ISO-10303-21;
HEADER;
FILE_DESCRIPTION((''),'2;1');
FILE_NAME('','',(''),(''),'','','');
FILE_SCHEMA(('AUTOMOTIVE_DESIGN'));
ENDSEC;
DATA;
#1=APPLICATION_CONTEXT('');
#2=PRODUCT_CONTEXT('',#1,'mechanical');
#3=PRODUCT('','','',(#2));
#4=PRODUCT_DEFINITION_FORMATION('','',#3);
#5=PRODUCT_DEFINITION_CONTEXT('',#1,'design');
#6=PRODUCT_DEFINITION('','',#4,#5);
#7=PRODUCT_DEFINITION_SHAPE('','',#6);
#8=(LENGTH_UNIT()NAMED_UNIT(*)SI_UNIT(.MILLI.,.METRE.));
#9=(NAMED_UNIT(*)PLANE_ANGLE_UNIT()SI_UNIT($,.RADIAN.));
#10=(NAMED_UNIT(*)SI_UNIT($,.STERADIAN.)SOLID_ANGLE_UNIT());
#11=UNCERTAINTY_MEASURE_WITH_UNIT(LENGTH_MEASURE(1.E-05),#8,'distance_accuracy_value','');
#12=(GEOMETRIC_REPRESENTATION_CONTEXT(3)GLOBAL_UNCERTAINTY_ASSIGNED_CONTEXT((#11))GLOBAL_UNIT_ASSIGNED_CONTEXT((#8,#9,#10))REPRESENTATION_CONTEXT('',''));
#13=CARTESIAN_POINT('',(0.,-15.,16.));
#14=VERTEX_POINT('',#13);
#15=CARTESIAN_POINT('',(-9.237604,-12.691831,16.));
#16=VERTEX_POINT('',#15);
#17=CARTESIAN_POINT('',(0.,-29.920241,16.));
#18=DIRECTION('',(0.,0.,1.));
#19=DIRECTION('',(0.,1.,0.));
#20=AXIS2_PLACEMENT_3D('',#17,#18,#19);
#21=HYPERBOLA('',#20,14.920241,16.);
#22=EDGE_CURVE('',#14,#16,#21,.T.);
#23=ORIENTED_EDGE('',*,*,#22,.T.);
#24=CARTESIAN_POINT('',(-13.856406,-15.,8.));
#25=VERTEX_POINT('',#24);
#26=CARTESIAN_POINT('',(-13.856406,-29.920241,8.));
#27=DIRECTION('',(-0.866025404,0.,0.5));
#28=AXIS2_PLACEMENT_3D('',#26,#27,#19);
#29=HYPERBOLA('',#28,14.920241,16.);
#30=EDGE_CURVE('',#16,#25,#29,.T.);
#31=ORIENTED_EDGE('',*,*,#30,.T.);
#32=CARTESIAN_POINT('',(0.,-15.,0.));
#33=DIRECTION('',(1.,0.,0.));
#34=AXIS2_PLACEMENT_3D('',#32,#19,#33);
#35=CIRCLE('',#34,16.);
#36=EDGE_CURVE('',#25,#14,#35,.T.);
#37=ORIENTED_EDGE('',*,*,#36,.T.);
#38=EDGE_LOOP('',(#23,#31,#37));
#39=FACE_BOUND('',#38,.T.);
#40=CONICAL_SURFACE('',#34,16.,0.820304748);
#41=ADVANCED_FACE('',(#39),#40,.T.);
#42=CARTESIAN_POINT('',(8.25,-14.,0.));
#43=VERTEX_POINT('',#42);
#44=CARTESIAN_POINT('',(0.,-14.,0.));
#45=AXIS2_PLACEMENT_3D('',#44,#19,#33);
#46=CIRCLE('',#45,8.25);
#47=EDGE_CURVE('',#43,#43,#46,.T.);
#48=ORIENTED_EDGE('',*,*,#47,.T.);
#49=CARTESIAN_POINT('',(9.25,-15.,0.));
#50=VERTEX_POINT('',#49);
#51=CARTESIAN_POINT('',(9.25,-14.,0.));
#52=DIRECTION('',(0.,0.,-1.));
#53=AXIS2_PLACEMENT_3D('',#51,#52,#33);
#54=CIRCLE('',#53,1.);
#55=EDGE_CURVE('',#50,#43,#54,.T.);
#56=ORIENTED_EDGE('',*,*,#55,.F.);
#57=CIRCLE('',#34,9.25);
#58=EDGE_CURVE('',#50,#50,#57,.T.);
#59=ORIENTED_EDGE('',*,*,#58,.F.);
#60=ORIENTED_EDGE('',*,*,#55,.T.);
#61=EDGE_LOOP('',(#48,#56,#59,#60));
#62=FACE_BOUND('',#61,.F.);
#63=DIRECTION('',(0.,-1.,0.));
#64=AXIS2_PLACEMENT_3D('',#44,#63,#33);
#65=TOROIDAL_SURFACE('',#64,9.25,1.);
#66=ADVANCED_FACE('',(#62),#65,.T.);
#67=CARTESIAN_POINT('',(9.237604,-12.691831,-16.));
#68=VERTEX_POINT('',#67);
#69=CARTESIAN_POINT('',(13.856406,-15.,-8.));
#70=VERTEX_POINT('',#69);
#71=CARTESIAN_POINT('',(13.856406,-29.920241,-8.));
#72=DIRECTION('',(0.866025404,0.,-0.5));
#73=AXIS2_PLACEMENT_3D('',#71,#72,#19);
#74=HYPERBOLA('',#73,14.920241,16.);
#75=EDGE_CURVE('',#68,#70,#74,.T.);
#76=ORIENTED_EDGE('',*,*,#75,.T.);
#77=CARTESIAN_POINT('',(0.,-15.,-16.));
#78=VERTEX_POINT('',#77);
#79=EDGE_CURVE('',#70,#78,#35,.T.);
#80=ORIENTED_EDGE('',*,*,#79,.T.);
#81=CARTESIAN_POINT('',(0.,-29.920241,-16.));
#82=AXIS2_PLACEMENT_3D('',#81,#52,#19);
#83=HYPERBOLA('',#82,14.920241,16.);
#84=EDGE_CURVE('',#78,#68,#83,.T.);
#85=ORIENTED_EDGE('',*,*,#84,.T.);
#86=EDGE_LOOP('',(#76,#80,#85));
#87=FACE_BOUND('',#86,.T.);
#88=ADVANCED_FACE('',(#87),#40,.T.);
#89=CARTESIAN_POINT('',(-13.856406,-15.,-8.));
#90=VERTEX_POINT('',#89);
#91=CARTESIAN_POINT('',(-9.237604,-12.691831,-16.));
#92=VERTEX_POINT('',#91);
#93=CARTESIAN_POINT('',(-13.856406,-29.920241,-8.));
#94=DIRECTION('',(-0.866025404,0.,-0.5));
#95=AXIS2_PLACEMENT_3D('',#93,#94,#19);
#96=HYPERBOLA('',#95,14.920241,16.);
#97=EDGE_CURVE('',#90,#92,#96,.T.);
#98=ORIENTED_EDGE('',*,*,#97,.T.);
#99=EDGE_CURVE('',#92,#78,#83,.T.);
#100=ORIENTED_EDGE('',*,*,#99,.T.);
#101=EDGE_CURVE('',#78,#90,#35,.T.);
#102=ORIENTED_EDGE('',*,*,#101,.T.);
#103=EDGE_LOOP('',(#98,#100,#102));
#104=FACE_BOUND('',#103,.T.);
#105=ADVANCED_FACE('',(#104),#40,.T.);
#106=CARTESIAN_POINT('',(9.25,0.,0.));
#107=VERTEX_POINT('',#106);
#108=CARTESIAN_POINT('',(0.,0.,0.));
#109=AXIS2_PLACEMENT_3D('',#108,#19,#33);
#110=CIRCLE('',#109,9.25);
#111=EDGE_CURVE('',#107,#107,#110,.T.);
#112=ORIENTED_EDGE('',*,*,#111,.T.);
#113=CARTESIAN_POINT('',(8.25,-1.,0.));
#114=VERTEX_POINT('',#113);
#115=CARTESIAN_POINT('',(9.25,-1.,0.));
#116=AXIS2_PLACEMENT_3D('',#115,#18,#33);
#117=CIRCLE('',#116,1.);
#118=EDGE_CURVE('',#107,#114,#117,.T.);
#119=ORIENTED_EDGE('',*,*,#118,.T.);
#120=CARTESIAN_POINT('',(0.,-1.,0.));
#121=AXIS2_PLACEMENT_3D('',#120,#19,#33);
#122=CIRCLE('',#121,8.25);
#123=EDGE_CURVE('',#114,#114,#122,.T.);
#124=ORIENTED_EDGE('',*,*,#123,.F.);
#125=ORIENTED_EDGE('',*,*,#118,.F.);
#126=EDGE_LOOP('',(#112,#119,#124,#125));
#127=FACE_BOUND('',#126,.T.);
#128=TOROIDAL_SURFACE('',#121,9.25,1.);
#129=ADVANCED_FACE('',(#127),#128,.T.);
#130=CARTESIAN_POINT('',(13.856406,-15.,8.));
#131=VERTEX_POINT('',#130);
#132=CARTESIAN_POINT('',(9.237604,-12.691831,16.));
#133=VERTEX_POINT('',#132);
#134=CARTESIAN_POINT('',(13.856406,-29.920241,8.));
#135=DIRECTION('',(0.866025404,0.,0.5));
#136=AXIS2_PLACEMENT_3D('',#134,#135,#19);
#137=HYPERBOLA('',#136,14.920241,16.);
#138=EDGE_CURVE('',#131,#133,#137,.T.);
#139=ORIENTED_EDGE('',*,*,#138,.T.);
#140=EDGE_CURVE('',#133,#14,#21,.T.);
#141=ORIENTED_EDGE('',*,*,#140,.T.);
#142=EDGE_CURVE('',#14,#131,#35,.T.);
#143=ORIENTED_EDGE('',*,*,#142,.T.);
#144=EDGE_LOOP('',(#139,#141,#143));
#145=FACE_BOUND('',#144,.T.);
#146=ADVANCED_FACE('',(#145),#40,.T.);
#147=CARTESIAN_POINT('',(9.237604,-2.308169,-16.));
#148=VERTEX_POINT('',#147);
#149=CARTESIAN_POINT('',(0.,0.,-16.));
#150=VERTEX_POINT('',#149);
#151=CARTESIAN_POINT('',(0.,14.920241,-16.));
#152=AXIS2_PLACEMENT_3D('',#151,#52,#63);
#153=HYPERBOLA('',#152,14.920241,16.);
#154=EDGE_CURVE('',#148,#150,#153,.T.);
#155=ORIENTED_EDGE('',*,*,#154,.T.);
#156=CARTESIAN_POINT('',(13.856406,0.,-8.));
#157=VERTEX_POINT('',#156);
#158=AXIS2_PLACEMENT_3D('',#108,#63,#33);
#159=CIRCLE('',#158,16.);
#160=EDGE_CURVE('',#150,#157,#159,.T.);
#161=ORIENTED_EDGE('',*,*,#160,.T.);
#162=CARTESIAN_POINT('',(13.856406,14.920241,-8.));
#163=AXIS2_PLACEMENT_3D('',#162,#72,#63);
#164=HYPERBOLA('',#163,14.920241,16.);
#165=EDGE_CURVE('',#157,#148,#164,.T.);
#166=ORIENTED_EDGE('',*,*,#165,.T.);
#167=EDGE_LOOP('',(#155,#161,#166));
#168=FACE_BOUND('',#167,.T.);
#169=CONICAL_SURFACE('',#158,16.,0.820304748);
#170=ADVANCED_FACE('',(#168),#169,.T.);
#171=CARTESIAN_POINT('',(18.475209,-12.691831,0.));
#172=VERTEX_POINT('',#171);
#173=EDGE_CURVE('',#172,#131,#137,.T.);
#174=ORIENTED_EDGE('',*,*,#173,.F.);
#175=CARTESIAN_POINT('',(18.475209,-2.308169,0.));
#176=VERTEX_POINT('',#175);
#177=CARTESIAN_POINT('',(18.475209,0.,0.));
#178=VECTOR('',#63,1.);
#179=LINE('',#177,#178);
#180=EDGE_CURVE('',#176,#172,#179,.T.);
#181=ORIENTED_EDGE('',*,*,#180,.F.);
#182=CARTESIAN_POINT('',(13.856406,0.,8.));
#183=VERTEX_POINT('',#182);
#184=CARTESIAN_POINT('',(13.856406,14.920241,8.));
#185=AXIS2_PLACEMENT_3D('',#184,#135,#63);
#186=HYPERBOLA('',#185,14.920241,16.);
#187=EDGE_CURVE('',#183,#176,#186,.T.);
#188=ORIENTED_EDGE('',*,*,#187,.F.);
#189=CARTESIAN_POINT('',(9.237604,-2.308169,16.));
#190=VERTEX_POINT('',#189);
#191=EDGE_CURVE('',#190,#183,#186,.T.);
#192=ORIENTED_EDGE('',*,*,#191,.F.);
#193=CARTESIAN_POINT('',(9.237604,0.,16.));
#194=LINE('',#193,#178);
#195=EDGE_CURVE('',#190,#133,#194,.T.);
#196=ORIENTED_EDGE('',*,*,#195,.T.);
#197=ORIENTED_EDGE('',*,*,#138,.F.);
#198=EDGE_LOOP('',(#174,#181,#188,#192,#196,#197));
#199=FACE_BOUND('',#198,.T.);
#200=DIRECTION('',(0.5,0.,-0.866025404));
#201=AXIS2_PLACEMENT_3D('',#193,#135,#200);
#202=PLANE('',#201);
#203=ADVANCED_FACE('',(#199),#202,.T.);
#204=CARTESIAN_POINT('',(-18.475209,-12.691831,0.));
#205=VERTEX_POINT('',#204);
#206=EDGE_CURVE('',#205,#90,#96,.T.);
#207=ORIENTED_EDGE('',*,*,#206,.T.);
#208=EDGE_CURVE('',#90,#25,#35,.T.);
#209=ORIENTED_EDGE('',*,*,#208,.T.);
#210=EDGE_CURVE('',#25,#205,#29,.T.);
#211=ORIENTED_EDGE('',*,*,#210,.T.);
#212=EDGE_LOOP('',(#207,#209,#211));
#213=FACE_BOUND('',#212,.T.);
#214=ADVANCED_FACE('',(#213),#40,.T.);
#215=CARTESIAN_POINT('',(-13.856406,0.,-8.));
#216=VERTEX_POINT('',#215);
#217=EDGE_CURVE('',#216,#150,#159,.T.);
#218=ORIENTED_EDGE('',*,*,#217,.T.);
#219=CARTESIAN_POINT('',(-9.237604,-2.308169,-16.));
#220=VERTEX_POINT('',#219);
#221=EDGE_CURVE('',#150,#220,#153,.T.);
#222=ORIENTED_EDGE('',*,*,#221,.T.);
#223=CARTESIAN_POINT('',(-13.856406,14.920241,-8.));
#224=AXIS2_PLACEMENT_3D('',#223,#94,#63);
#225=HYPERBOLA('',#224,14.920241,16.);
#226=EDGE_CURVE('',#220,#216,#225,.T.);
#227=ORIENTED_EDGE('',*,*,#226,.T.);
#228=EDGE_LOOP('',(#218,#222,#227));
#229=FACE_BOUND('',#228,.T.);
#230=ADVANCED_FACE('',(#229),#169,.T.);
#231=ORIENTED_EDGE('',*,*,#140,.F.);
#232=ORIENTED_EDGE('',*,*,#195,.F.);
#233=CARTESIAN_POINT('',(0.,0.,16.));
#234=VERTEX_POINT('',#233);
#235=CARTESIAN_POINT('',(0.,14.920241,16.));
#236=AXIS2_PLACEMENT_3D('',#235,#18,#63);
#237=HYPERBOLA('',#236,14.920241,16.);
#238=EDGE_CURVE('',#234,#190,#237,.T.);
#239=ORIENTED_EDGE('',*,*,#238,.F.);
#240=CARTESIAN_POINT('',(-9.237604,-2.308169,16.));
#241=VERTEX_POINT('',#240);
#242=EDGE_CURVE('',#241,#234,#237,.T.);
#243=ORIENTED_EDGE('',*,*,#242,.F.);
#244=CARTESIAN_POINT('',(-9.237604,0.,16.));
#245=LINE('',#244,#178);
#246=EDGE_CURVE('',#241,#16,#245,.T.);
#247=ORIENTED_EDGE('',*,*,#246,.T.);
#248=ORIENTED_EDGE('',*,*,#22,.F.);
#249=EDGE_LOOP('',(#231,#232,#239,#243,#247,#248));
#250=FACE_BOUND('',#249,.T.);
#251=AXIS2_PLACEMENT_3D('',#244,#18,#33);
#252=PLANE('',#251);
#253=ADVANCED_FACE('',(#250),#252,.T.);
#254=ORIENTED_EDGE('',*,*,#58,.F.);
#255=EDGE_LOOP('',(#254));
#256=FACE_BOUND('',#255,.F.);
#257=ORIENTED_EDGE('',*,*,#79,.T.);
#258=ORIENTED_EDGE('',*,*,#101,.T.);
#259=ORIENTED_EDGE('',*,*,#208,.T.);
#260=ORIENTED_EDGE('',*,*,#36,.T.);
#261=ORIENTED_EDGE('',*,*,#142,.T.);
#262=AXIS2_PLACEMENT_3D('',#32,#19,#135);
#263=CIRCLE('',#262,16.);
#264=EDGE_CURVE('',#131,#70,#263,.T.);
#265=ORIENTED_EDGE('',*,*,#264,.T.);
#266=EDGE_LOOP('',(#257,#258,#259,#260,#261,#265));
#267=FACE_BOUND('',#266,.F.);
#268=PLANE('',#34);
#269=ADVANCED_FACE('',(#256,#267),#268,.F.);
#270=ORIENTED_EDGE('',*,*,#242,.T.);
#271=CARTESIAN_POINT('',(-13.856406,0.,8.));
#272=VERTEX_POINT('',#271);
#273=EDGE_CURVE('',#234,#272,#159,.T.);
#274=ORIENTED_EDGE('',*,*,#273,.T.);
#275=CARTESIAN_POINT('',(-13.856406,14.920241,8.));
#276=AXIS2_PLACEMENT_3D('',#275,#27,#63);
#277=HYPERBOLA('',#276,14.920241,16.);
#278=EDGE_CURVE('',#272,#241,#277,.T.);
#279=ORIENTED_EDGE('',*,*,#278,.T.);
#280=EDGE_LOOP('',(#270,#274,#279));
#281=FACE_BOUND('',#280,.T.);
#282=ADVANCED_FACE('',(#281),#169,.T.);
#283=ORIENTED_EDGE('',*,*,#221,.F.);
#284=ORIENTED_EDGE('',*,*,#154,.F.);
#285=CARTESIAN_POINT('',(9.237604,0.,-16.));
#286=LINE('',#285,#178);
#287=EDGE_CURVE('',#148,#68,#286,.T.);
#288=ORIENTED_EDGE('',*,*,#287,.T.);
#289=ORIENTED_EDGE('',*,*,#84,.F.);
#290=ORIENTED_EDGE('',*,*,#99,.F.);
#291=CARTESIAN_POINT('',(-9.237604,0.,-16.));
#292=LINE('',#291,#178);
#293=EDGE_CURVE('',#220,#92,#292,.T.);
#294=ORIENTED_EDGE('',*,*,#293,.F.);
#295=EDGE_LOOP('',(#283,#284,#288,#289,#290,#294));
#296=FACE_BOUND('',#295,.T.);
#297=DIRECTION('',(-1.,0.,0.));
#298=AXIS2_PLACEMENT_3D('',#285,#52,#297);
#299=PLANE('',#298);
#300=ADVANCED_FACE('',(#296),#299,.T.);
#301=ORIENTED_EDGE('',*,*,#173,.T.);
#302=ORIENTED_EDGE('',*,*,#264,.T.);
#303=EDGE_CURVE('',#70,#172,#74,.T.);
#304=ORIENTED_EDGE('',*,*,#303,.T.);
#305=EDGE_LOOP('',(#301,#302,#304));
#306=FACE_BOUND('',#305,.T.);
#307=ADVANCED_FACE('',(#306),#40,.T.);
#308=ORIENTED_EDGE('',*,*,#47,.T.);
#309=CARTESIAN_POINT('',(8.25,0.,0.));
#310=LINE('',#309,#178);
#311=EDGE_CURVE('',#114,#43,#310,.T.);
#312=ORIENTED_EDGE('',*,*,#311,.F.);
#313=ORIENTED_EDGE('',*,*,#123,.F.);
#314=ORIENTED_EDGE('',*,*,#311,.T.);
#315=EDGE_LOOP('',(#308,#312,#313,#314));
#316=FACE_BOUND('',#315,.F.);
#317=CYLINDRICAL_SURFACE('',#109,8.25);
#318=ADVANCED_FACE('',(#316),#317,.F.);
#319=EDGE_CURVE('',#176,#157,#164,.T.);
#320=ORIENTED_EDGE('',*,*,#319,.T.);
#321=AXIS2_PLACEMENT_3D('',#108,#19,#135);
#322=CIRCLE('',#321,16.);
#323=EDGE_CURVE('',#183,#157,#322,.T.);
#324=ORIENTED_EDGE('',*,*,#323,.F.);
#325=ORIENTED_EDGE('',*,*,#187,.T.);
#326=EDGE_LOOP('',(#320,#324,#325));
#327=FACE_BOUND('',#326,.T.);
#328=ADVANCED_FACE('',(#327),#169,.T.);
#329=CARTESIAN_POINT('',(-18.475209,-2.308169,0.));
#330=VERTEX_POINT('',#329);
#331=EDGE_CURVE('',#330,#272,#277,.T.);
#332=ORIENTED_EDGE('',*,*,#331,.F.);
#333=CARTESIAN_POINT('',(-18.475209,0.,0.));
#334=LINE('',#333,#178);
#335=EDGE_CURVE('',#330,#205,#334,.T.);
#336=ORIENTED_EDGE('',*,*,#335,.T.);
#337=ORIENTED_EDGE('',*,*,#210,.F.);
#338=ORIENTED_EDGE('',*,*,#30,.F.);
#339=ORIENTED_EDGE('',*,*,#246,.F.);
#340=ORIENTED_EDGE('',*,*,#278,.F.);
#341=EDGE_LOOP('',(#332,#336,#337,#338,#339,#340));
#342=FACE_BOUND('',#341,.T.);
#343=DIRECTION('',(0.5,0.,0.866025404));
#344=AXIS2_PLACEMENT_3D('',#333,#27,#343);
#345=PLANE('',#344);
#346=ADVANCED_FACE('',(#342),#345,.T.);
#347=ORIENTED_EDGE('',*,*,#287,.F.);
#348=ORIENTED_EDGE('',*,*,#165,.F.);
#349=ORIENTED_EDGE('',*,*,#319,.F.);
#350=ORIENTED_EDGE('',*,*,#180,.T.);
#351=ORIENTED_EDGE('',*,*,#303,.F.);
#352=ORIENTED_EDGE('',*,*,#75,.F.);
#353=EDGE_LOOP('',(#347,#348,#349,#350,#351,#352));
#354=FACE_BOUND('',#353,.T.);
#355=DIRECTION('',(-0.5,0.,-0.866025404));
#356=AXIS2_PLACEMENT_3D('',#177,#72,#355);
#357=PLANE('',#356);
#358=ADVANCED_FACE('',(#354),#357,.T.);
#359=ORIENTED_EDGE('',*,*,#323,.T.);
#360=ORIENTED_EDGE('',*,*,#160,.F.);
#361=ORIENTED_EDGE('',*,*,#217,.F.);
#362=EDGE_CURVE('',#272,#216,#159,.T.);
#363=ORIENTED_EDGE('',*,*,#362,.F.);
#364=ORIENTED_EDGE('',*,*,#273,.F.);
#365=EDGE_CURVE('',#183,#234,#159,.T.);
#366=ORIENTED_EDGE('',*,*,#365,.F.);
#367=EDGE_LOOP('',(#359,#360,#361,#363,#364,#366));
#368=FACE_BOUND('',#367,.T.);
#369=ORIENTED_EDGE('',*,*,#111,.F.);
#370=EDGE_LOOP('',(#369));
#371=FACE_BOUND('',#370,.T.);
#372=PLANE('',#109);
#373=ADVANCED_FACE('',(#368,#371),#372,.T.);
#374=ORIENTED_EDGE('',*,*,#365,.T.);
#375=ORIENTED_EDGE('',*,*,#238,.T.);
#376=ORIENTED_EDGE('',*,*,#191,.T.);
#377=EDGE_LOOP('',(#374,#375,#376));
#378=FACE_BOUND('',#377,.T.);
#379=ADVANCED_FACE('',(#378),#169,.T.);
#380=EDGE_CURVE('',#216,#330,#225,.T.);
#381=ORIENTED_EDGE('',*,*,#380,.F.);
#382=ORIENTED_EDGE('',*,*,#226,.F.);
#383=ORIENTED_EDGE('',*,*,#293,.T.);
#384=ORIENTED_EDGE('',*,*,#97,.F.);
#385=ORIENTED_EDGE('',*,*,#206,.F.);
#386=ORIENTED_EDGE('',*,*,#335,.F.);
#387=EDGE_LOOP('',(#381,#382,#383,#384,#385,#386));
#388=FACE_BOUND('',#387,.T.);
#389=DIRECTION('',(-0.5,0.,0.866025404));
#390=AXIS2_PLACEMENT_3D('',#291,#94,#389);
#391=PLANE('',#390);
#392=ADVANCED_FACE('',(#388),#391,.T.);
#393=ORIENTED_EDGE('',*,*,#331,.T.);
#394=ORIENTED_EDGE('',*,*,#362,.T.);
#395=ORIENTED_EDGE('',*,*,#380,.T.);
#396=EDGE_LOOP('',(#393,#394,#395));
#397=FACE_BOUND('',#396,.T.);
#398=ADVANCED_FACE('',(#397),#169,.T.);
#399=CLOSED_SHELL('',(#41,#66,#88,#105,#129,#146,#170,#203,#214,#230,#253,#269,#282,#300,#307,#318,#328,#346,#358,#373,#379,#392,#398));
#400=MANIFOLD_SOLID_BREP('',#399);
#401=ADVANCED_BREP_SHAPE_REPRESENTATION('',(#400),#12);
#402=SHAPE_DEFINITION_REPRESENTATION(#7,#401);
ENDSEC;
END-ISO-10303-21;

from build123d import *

# Parameters (mm, degrees)
SALIENTE_EXTRUIR1_DEPTH = 15
CROQUIS2_OUTSIDE_W      = 81.348
CROQUIS2_OUTSIDE_H      = 76.398
CROQUIS2_OUTSIDE_R      = 16
CORTAR_EXTRUIR1_DEPTH   = 15
CORTAR_EXTRUIR1_TAPER   = 47
CROQUIS3_OUTSIDE_W      = 81.348
CROQUIS3_OUTSIDE_H      = 76.398
CROQUIS3_OUTSIDE_R      = 16
CORTAR_EXTRUIR2_DEPTH   = 15
CORTAR_EXTRUIR2_TAPER   = 47
CROQUIS4_R              = 8.25
CORTAR_EXTRUIR3_DEPTH   = 15
REDONDEO1_R             = 1


with BuildPart() as part:
    # Croquis1 → Saliente-Extruir1 (new body)
    with BuildSketch(Plane(origin=(0, 0, 0), x_dir=(1, 0, 0), z_dir=(0, 1, 0))):
        Polygon((-9.237604307, -16), (9.237604307, -16), (18.475208614, 0), (9.237604307, 16), (-9.237604307, 16), (-18.475208614, 0), align=None)
    extrude(amount=-SALIENTE_EXTRUIR1_DEPTH)

    # Croquis2 outside → Cortar-Extruir1 (cut)
    with BuildSketch(Plane(origin=(0, 0, 0), x_dir=(1, 0, 0), z_dir=(0, 1, 0))):
        Rectangle(CROQUIS2_OUTSIDE_W, CROQUIS2_OUTSIDE_H)
        Circle(CROQUIS2_OUTSIDE_R, mode=Mode.SUBTRACT)
    extrude(amount=-CORTAR_EXTRUIR1_DEPTH, taper=CORTAR_EXTRUIR1_TAPER, mode=Mode.SUBTRACT)

    # Croquis3 outside → Cortar-Extruir2 (cut)
    with BuildSketch(Plane.XZ.offset(15)):
        Rectangle(CROQUIS3_OUTSIDE_W, CROQUIS3_OUTSIDE_H)
        Circle(CROQUIS3_OUTSIDE_R, mode=Mode.SUBTRACT)
    extrude(amount=-CORTAR_EXTRUIR2_DEPTH, taper=CORTAR_EXTRUIR2_TAPER, mode=Mode.SUBTRACT)

    # Croquis4 → Cortar-Extruir3 (cut)
    with BuildSketch(Plane(origin=(0, 0, 0), x_dir=(1, 0, 0), z_dir=(0, 1, 0))):
        Circle(CROQUIS4_R)
    extrude(amount=-CORTAR_EXTRUIR3_DEPTH, mode=Mode.SUBTRACT)

    # Redondeo1
    redondeo1_edges = [part.edges().sort_by_distance(p)[0] for p in [
        (-8.25, -15, 0),
        (-8.25, 0, 0),
    ]]
    fillet(redondeo1_edges, radius=REDONDEO1_R)


solid = part.part
